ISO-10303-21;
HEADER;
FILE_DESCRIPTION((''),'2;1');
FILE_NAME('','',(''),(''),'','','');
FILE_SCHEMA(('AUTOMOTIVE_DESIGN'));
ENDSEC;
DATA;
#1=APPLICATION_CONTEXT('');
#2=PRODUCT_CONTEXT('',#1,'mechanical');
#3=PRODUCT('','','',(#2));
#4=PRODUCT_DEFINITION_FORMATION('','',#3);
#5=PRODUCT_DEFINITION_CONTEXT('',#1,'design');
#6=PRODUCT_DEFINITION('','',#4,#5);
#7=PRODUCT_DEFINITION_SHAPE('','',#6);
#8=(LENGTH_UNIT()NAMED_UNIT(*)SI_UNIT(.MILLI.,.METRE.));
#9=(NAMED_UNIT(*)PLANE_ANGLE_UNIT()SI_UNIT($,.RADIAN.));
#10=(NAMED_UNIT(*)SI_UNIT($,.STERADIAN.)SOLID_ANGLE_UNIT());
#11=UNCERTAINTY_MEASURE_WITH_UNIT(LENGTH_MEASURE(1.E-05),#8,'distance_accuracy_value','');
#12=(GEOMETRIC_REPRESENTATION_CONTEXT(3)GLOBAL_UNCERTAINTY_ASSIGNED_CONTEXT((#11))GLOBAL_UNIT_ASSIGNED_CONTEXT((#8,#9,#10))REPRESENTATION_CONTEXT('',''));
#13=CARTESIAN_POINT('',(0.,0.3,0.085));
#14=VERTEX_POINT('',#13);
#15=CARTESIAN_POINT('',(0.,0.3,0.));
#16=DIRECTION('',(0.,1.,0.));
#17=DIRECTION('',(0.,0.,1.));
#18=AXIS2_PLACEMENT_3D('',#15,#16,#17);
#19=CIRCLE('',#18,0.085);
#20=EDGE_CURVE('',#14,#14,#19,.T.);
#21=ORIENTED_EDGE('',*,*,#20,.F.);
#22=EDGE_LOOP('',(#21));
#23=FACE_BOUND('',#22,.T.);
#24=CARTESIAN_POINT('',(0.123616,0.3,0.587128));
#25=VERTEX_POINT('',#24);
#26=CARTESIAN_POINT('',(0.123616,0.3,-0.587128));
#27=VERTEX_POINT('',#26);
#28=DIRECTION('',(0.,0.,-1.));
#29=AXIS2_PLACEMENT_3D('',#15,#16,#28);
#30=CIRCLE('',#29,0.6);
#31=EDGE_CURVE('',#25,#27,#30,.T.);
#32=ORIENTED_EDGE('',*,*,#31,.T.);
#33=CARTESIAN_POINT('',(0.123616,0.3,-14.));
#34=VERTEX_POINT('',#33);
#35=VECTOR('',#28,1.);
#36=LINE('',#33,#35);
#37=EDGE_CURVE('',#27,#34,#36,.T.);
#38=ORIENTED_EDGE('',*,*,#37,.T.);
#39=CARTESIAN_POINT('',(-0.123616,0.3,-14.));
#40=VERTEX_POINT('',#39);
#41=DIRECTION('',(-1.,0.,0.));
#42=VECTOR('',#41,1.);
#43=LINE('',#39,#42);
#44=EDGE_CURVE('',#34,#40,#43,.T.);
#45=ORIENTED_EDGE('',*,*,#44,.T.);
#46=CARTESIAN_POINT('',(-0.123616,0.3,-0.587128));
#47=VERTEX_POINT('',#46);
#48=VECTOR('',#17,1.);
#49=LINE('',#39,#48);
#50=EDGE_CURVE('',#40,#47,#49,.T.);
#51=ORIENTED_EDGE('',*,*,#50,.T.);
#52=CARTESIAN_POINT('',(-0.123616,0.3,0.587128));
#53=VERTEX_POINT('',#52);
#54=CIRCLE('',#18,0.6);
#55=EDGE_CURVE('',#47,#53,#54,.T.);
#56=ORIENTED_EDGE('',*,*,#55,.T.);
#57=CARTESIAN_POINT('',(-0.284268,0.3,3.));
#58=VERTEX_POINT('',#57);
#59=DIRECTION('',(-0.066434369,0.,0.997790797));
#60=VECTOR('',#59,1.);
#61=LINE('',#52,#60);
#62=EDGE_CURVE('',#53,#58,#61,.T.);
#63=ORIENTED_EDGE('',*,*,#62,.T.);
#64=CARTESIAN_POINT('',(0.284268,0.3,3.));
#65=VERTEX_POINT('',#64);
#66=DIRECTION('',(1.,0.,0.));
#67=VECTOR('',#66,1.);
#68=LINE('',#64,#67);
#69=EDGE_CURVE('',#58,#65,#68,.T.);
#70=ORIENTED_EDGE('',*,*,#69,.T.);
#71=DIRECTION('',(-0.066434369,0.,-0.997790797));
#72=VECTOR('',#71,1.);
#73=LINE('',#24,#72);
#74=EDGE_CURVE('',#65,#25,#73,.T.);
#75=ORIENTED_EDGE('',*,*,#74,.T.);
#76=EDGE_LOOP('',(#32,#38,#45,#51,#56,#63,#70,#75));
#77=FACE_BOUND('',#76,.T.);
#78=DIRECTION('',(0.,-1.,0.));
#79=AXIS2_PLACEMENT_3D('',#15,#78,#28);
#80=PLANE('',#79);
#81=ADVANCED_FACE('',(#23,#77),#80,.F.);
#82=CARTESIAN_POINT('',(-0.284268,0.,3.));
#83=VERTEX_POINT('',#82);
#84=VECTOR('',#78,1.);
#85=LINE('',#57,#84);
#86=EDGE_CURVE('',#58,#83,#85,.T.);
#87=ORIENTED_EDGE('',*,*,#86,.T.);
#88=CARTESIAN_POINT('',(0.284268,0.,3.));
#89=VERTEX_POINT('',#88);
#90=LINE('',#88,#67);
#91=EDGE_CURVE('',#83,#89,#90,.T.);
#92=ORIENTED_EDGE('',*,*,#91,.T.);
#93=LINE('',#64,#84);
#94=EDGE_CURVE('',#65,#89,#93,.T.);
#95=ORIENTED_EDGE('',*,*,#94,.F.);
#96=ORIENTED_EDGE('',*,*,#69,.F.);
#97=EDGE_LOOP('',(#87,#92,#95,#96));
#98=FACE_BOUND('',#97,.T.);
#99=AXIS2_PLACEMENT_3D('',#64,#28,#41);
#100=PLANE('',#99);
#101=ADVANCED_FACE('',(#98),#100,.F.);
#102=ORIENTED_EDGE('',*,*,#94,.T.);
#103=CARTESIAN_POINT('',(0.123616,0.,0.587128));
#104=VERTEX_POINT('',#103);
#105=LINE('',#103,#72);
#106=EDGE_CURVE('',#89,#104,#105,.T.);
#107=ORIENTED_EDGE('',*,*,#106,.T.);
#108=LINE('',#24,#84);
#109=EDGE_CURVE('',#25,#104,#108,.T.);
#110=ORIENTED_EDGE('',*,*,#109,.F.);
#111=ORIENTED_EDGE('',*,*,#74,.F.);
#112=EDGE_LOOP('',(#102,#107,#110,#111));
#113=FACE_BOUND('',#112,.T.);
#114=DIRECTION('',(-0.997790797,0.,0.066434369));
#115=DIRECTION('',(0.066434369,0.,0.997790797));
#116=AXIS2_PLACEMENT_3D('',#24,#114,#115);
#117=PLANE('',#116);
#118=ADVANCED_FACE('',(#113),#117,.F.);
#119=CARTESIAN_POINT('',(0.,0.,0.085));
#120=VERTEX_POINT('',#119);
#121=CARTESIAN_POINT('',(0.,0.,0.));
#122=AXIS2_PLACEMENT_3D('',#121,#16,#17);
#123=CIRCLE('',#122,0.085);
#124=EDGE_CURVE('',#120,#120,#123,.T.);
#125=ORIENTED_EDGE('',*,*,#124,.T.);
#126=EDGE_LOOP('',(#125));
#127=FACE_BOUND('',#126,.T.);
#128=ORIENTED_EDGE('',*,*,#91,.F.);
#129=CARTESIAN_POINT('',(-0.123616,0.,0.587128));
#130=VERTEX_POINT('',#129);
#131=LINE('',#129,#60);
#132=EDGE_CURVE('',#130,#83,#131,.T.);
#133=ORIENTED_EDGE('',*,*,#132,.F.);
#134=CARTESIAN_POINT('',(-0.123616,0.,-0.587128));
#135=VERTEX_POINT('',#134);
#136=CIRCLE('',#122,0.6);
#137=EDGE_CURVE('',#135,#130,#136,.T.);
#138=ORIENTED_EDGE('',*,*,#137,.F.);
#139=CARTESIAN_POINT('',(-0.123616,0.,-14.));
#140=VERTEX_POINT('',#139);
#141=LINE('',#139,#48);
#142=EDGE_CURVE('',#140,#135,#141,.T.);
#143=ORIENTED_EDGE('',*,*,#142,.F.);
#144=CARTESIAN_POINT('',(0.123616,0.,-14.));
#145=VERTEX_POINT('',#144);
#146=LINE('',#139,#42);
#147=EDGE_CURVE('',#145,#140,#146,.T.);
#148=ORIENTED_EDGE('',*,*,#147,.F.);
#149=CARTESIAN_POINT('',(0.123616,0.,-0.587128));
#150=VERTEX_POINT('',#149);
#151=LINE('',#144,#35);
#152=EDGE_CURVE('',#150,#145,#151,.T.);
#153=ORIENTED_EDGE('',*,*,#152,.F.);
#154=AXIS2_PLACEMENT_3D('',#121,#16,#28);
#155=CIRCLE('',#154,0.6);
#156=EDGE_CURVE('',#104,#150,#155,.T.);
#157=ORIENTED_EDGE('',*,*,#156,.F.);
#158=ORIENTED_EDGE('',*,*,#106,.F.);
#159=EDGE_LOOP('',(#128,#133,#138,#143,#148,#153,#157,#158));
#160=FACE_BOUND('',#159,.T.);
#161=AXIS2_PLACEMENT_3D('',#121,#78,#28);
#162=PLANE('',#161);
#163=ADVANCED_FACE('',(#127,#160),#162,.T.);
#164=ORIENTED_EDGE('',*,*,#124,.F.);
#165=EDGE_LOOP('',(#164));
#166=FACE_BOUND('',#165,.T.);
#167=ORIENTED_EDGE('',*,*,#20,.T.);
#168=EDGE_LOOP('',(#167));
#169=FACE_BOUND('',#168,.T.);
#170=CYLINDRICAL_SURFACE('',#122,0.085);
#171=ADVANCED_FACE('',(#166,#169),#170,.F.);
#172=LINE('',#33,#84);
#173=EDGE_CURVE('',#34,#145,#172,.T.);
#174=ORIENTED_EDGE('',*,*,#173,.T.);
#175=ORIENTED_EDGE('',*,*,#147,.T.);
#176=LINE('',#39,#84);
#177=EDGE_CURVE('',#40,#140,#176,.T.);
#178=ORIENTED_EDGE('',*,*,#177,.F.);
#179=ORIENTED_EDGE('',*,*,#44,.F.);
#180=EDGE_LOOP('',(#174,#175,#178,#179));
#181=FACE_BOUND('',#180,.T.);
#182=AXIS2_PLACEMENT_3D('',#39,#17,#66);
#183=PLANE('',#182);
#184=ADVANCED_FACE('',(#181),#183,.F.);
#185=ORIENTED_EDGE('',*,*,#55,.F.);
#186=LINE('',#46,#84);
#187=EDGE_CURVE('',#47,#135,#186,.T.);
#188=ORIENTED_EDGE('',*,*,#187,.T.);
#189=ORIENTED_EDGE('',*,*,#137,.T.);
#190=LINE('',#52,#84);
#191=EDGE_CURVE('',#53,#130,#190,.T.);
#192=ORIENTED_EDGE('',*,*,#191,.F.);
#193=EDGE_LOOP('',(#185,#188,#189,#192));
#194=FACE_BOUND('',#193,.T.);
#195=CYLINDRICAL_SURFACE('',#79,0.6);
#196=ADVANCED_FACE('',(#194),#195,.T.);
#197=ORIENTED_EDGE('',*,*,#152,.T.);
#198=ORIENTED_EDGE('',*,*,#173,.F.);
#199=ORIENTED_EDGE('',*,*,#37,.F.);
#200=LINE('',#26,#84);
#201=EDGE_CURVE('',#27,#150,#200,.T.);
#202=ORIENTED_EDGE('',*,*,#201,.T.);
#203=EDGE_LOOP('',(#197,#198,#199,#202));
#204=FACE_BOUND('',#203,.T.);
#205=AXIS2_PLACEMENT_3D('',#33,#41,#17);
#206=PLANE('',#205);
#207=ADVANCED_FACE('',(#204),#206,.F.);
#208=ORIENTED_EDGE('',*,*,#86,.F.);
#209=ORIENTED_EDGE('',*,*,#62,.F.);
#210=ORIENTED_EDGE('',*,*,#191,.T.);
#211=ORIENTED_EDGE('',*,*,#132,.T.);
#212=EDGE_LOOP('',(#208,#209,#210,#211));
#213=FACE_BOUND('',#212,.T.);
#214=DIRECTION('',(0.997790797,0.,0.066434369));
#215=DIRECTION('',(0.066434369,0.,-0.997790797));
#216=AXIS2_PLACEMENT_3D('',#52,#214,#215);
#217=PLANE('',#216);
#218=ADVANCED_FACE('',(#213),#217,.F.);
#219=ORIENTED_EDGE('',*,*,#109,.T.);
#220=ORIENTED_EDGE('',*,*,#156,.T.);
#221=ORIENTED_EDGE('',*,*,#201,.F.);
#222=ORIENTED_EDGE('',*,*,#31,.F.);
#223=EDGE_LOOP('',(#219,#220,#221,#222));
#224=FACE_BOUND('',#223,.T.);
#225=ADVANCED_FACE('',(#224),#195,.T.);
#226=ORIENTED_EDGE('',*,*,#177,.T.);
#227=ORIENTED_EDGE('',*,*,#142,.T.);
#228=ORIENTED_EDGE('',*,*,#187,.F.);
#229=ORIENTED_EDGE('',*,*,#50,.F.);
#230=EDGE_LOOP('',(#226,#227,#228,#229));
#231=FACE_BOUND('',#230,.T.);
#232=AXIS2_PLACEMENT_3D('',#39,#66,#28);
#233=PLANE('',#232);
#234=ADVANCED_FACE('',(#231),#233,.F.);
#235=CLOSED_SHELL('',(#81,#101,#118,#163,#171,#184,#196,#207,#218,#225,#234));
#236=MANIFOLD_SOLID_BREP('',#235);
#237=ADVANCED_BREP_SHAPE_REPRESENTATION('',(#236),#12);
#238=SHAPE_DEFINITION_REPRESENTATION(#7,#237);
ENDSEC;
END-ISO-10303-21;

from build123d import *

# Parameters (mm, degrees)
BOSS_EXTRUDE1_DEPTH = 0.3
SKETCH2_R           = 0.085
CUT_EXTRUDE1_DEPTH  = 0.3


with BuildPart() as part:
    # Sketch1 → Boss-Extrude1 (new body)
    with BuildSketch(Plane(origin=(0, 0, 0), x_dir=(1, 0, 0), z_dir=(0, 1, 0))):
        with BuildLine():
            Line((0.284268307, -3), (-0.284268307, -3))
            Line((-0.284268307, -3), (-0.123615756, -0.587127878))
            ThreePointArc((-0.123615756, -0.587127878), (-0.6, 0), (-0.123615756, 0.587127878))
            Line((-0.123615756, 0.587127878), (-0.123615756, 14))
            Line((-0.123615756, 14), (0.123615756, 14))
            Line((0.123615756, 14), (0.123615756, 0.587127878))
            ThreePointArc((0.123615756, 0.587127878), (0.6, 0), (0.123615756, -0.587127878))
            Line((0.123615756, -0.587127878), (0.284268307, -3))
        make_face()
    extrude(amount=BOSS_EXTRUDE1_DEPTH)

    # Sketch2 → Cut-Extrude1 (cut)
    with BuildSketch(Plane(origin=(0, 0.3, 0), x_dir=(1, 0, 0), z_dir=(0, 1, 0))):
        Circle(SKETCH2_R)
    extrude(amount=-CUT_EXTRUDE1_DEPTH, mode=Mode.SUBTRACT)


solid = part.part
